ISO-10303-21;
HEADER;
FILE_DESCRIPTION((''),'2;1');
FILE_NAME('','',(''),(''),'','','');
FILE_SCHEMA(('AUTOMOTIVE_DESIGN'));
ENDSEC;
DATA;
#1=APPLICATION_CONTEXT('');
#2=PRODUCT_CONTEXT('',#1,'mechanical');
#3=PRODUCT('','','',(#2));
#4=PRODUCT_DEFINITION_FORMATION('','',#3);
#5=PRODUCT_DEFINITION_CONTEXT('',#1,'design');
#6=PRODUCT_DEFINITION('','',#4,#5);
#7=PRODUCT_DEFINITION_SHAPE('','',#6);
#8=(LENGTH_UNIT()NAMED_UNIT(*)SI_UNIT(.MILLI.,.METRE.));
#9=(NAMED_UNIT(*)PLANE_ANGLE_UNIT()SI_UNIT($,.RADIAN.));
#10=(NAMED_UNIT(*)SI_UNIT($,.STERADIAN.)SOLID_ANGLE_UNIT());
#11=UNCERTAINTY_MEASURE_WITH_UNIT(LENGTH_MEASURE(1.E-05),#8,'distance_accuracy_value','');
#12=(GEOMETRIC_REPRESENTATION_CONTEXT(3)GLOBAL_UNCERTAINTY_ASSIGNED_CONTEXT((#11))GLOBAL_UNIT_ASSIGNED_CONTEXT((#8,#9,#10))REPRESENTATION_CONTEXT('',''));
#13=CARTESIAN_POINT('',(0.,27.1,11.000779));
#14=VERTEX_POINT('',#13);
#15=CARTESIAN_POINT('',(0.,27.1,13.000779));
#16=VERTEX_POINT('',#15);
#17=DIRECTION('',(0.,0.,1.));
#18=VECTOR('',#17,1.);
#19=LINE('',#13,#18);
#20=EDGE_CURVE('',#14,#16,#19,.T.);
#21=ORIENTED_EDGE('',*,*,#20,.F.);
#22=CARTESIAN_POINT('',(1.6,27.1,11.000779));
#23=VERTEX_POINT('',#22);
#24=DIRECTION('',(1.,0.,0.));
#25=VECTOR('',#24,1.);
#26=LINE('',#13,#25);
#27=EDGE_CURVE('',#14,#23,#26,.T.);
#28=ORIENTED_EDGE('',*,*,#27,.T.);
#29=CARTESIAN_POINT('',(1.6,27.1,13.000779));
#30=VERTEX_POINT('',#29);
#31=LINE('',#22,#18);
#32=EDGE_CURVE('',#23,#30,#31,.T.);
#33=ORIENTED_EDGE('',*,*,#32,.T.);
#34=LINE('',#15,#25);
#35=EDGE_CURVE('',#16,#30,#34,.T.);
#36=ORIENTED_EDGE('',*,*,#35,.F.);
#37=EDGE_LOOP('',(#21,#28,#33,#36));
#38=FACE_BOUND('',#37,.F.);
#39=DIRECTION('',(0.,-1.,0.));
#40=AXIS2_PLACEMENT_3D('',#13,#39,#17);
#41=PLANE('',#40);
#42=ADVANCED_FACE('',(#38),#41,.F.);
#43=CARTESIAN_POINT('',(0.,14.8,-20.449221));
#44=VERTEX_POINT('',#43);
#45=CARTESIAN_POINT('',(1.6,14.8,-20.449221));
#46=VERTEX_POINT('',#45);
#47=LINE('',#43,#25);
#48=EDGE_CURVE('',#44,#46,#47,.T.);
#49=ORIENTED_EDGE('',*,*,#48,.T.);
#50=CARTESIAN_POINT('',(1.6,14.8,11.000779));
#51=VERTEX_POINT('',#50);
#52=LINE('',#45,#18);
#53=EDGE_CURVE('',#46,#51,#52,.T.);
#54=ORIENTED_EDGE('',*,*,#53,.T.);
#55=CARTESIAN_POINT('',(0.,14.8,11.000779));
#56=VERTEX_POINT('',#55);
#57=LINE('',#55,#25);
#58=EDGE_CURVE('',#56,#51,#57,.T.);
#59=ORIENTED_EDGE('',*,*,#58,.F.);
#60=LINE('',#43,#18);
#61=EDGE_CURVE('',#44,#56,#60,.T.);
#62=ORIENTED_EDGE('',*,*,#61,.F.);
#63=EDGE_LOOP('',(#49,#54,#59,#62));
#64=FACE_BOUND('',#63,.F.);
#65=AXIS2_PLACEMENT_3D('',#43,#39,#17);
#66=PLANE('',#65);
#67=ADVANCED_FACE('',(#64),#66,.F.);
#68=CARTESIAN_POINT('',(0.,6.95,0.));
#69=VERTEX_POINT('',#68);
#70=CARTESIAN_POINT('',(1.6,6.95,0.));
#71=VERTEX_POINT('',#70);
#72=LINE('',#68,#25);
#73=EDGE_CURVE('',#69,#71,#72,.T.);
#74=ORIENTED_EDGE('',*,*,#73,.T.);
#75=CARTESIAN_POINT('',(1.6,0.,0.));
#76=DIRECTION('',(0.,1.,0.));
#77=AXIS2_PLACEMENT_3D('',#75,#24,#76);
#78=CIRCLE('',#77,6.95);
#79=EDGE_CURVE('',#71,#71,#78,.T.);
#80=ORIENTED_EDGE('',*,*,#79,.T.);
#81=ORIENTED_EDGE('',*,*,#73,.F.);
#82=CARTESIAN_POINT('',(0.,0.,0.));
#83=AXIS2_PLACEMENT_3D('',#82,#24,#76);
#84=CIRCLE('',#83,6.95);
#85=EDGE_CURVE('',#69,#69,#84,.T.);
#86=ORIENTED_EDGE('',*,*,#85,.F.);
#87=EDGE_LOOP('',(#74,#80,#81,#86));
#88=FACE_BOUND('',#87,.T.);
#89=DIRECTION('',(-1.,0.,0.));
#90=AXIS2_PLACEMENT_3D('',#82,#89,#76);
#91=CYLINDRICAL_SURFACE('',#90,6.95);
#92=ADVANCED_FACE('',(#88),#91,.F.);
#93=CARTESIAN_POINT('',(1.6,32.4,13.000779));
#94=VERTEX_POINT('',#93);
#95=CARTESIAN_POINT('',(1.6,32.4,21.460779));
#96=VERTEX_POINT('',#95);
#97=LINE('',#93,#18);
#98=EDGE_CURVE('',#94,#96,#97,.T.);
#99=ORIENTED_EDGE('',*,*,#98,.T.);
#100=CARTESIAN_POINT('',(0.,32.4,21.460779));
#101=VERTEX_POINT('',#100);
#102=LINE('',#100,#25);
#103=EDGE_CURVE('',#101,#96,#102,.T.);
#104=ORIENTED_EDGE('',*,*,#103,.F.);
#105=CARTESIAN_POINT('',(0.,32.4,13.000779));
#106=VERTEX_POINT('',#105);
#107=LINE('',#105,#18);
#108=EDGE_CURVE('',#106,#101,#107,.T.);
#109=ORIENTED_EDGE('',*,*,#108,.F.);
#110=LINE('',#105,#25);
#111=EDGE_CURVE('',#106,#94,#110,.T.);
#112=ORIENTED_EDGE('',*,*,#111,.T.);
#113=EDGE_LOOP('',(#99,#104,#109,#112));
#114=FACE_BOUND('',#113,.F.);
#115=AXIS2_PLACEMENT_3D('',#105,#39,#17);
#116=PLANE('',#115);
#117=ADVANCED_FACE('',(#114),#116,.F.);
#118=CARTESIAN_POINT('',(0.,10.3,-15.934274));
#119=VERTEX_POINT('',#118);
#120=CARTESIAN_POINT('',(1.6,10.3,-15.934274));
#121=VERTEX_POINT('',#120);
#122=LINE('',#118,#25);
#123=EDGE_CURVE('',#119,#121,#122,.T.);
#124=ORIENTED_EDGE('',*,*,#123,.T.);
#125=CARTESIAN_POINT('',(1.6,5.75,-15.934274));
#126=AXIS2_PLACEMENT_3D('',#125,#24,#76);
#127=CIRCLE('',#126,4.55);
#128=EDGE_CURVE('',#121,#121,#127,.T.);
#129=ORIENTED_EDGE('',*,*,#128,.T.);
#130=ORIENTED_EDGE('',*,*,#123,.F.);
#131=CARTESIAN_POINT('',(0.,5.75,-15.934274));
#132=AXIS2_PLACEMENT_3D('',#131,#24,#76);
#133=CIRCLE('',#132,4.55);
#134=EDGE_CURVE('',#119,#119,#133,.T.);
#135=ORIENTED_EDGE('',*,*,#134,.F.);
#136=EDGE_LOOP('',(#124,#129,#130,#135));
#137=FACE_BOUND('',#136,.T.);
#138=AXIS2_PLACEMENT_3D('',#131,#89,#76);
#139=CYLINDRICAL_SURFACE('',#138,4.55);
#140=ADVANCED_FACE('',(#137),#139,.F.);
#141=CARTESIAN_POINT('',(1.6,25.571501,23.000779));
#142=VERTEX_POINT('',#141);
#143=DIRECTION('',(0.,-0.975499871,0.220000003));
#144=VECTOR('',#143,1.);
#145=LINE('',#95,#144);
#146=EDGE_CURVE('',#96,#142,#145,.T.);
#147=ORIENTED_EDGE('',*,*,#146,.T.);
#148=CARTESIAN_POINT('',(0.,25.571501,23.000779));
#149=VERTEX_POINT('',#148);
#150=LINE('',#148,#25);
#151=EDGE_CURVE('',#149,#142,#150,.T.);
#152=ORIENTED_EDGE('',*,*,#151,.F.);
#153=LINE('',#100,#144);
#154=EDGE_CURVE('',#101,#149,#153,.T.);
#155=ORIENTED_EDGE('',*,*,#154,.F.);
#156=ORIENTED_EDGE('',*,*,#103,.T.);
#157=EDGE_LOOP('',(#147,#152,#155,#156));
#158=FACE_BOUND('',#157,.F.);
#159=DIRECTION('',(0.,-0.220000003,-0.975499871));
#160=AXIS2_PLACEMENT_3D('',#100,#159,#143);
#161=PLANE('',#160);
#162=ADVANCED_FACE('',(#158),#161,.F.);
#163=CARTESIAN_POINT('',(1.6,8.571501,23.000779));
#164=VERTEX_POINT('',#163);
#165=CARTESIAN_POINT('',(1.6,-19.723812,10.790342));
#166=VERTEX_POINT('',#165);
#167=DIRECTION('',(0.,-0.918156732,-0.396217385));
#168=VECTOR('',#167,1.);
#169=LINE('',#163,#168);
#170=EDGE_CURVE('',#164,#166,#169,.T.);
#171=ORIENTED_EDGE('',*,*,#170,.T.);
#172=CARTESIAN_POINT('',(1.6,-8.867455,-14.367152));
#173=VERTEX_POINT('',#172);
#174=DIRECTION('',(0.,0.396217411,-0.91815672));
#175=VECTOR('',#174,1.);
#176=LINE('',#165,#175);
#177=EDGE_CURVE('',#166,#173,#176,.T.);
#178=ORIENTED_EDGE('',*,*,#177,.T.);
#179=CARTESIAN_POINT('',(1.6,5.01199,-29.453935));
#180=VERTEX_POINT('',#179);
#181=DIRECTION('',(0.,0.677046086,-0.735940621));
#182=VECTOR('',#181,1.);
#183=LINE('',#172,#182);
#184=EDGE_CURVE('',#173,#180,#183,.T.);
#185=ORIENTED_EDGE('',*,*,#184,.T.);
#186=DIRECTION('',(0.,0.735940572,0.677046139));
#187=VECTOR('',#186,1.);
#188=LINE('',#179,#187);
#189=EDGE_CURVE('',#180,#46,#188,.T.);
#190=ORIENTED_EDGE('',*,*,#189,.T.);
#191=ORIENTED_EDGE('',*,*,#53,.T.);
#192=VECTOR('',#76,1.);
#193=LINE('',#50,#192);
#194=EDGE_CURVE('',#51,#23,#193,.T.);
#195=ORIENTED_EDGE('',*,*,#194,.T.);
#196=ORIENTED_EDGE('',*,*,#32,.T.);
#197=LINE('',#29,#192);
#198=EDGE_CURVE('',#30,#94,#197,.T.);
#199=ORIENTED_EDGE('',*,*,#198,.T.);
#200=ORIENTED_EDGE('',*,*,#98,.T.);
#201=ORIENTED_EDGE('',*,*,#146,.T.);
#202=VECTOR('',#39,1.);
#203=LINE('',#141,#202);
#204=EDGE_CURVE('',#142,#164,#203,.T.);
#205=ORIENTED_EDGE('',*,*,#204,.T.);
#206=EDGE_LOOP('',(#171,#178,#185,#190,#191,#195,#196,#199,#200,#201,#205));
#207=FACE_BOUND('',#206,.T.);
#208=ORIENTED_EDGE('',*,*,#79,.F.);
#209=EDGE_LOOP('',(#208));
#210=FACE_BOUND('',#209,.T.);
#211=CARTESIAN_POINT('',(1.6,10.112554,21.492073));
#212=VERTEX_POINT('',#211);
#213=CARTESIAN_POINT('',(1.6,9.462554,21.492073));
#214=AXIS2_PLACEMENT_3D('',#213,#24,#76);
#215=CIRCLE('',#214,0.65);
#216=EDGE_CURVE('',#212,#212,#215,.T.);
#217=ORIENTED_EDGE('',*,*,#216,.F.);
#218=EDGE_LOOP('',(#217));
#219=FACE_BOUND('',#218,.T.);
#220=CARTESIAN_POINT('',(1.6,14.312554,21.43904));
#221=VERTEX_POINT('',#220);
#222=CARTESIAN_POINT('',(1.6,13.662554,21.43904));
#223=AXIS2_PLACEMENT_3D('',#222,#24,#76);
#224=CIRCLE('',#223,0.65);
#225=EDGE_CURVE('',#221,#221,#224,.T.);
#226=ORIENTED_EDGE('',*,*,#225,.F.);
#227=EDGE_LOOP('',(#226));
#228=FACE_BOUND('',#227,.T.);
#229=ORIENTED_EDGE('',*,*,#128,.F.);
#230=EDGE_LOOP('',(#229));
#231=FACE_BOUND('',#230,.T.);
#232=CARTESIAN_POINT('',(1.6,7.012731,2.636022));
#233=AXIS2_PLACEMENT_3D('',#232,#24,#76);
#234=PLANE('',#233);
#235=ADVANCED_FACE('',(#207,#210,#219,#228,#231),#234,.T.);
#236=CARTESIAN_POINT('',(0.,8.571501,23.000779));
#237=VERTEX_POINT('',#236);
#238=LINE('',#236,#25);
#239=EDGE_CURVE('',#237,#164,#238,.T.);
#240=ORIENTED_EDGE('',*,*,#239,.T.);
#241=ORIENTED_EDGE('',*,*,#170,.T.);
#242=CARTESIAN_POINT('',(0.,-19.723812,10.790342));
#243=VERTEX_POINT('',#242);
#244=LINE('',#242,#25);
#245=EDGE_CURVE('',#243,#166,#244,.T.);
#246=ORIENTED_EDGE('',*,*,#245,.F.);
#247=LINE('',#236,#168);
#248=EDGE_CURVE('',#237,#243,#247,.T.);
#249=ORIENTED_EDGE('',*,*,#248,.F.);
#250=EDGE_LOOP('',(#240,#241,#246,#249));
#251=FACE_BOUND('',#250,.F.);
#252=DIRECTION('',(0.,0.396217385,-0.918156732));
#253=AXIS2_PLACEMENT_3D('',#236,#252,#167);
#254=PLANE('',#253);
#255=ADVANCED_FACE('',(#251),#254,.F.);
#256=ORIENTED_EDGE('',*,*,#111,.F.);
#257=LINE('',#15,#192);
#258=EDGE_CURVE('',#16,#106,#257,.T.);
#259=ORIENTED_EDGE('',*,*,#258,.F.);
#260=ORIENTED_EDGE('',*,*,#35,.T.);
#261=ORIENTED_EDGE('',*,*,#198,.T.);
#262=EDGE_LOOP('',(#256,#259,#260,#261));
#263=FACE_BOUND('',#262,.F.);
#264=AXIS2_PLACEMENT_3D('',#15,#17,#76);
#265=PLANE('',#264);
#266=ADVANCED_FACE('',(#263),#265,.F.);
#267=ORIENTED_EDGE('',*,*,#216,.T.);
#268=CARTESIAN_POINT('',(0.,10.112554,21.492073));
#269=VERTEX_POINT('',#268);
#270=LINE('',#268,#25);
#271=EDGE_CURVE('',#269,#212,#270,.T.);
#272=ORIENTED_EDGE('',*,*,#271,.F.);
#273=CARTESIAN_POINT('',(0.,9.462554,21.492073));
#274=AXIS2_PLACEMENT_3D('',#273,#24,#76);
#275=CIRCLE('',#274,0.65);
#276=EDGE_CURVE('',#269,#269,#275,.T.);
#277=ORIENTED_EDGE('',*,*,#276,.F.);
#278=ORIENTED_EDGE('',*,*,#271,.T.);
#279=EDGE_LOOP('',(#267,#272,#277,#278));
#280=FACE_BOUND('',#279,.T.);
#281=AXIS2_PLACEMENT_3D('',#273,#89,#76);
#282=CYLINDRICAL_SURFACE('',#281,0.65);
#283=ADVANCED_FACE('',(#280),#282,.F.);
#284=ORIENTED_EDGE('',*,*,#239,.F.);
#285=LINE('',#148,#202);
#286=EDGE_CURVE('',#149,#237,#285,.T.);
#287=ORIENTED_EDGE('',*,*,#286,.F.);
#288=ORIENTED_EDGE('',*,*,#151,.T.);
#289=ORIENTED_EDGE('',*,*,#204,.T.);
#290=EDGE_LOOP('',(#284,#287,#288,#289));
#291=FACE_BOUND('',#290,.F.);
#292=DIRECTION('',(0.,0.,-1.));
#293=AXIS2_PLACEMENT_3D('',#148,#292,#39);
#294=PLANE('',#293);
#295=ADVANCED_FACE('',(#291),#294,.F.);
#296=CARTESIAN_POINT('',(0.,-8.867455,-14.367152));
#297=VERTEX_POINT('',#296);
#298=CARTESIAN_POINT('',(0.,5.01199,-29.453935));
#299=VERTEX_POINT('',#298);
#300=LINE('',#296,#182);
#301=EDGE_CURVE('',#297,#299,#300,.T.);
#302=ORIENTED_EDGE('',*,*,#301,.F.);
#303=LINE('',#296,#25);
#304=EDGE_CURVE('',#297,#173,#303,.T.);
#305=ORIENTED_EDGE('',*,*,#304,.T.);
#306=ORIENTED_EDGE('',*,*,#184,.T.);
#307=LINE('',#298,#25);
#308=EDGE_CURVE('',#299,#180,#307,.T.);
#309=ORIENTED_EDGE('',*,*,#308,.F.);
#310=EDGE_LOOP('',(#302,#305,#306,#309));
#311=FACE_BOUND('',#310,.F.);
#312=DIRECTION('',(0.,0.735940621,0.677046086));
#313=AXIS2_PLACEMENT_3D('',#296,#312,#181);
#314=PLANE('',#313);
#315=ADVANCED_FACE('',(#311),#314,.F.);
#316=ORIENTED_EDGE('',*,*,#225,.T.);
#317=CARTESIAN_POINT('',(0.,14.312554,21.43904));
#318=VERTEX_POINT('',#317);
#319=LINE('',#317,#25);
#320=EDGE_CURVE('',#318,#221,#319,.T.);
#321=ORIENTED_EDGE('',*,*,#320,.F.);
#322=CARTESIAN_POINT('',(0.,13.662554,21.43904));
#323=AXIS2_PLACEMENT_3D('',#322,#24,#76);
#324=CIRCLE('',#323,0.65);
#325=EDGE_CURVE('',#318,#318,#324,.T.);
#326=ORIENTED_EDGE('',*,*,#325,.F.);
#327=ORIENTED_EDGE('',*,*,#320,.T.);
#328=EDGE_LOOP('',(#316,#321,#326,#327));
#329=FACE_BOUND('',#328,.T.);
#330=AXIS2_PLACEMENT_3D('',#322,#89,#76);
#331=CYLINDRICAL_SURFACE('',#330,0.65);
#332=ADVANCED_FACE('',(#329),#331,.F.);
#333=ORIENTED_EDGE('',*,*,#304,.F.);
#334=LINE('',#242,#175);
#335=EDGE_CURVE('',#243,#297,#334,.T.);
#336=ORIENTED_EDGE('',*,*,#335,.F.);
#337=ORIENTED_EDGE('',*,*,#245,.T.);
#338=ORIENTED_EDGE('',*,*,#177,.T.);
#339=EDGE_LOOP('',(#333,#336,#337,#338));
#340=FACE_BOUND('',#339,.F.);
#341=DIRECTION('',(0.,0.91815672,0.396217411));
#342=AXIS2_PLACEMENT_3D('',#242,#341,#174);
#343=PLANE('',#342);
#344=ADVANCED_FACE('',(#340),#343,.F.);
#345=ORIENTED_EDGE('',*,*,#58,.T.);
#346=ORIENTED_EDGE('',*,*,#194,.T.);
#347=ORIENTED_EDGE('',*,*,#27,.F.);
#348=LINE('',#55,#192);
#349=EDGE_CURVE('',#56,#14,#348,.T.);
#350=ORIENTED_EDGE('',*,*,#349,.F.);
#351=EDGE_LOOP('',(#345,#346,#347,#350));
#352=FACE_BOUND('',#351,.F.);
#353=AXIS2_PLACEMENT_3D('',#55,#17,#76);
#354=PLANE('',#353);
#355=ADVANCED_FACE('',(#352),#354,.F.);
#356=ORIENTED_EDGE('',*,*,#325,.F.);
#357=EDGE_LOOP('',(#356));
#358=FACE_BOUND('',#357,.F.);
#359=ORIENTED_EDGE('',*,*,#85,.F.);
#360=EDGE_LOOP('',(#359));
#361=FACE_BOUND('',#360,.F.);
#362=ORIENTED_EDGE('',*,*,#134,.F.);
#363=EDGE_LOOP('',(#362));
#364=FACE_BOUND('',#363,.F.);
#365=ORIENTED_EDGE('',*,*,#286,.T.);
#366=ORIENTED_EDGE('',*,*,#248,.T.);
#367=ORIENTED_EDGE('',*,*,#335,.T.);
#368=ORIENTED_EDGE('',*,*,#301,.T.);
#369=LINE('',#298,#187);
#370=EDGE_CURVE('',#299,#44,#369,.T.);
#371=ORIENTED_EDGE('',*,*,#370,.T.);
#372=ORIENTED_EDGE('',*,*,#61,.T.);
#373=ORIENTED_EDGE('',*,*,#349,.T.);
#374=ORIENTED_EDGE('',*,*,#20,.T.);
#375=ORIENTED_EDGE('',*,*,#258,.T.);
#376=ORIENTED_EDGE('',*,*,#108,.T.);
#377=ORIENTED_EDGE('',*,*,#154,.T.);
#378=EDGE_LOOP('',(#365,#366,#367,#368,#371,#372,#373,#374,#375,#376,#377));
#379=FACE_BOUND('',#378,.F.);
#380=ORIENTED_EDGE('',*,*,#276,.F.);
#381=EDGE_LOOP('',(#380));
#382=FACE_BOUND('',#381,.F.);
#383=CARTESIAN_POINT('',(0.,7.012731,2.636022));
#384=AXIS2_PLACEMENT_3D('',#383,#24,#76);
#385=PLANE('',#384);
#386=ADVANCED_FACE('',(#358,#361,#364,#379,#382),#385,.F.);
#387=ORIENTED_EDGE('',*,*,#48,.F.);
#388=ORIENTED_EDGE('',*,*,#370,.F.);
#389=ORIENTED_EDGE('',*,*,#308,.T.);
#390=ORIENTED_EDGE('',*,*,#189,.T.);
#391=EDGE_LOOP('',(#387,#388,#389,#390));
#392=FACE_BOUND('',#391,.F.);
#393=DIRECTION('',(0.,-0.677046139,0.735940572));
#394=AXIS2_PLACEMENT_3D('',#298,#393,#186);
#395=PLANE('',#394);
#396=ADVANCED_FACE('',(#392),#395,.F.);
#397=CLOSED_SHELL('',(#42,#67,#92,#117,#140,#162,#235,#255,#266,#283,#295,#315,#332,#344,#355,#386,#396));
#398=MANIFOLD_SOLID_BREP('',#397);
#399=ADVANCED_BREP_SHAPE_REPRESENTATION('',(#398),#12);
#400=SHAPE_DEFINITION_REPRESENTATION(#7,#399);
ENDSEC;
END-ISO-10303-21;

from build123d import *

# Parameters (mm, degrees)
F0_R     = 4.55
F0_R_2   = 6.95
F0_R_3   = 0.65
F1_DEPTH = 1.6


with BuildPart() as f1:
    # F0 (on Right) → F1 (new body)
    with BuildSketch(Plane.YZ):
        Polygon((5.01199, -29.453935), (14.8, -20.449221), (14.8, 11.000779), (27.1, 11.000779), (27.1, 13.000779), (32.4, 13.000779), (32.4, 21.460779), (25.571501, 23.000779), (8.571501, 23.000779), (-19.723812, 10.790342), (-8.867455, -14.367152), align=None)
        with Locations((5.75, -15.934274)):
            Circle(F0_R, mode=Mode.SUBTRACT)
        Circle(F0_R_2, mode=Mode.SUBTRACT)
        with Locations((9.462554, 21.492073)):
            Circle(F0_R_3, mode=Mode.SUBTRACT)
        with Locations((13.662554, 21.43904)):
            Circle(F0_R_3, mode=Mode.SUBTRACT)
    extrude(amount=F1_DEPTH)


solid = f1.part
